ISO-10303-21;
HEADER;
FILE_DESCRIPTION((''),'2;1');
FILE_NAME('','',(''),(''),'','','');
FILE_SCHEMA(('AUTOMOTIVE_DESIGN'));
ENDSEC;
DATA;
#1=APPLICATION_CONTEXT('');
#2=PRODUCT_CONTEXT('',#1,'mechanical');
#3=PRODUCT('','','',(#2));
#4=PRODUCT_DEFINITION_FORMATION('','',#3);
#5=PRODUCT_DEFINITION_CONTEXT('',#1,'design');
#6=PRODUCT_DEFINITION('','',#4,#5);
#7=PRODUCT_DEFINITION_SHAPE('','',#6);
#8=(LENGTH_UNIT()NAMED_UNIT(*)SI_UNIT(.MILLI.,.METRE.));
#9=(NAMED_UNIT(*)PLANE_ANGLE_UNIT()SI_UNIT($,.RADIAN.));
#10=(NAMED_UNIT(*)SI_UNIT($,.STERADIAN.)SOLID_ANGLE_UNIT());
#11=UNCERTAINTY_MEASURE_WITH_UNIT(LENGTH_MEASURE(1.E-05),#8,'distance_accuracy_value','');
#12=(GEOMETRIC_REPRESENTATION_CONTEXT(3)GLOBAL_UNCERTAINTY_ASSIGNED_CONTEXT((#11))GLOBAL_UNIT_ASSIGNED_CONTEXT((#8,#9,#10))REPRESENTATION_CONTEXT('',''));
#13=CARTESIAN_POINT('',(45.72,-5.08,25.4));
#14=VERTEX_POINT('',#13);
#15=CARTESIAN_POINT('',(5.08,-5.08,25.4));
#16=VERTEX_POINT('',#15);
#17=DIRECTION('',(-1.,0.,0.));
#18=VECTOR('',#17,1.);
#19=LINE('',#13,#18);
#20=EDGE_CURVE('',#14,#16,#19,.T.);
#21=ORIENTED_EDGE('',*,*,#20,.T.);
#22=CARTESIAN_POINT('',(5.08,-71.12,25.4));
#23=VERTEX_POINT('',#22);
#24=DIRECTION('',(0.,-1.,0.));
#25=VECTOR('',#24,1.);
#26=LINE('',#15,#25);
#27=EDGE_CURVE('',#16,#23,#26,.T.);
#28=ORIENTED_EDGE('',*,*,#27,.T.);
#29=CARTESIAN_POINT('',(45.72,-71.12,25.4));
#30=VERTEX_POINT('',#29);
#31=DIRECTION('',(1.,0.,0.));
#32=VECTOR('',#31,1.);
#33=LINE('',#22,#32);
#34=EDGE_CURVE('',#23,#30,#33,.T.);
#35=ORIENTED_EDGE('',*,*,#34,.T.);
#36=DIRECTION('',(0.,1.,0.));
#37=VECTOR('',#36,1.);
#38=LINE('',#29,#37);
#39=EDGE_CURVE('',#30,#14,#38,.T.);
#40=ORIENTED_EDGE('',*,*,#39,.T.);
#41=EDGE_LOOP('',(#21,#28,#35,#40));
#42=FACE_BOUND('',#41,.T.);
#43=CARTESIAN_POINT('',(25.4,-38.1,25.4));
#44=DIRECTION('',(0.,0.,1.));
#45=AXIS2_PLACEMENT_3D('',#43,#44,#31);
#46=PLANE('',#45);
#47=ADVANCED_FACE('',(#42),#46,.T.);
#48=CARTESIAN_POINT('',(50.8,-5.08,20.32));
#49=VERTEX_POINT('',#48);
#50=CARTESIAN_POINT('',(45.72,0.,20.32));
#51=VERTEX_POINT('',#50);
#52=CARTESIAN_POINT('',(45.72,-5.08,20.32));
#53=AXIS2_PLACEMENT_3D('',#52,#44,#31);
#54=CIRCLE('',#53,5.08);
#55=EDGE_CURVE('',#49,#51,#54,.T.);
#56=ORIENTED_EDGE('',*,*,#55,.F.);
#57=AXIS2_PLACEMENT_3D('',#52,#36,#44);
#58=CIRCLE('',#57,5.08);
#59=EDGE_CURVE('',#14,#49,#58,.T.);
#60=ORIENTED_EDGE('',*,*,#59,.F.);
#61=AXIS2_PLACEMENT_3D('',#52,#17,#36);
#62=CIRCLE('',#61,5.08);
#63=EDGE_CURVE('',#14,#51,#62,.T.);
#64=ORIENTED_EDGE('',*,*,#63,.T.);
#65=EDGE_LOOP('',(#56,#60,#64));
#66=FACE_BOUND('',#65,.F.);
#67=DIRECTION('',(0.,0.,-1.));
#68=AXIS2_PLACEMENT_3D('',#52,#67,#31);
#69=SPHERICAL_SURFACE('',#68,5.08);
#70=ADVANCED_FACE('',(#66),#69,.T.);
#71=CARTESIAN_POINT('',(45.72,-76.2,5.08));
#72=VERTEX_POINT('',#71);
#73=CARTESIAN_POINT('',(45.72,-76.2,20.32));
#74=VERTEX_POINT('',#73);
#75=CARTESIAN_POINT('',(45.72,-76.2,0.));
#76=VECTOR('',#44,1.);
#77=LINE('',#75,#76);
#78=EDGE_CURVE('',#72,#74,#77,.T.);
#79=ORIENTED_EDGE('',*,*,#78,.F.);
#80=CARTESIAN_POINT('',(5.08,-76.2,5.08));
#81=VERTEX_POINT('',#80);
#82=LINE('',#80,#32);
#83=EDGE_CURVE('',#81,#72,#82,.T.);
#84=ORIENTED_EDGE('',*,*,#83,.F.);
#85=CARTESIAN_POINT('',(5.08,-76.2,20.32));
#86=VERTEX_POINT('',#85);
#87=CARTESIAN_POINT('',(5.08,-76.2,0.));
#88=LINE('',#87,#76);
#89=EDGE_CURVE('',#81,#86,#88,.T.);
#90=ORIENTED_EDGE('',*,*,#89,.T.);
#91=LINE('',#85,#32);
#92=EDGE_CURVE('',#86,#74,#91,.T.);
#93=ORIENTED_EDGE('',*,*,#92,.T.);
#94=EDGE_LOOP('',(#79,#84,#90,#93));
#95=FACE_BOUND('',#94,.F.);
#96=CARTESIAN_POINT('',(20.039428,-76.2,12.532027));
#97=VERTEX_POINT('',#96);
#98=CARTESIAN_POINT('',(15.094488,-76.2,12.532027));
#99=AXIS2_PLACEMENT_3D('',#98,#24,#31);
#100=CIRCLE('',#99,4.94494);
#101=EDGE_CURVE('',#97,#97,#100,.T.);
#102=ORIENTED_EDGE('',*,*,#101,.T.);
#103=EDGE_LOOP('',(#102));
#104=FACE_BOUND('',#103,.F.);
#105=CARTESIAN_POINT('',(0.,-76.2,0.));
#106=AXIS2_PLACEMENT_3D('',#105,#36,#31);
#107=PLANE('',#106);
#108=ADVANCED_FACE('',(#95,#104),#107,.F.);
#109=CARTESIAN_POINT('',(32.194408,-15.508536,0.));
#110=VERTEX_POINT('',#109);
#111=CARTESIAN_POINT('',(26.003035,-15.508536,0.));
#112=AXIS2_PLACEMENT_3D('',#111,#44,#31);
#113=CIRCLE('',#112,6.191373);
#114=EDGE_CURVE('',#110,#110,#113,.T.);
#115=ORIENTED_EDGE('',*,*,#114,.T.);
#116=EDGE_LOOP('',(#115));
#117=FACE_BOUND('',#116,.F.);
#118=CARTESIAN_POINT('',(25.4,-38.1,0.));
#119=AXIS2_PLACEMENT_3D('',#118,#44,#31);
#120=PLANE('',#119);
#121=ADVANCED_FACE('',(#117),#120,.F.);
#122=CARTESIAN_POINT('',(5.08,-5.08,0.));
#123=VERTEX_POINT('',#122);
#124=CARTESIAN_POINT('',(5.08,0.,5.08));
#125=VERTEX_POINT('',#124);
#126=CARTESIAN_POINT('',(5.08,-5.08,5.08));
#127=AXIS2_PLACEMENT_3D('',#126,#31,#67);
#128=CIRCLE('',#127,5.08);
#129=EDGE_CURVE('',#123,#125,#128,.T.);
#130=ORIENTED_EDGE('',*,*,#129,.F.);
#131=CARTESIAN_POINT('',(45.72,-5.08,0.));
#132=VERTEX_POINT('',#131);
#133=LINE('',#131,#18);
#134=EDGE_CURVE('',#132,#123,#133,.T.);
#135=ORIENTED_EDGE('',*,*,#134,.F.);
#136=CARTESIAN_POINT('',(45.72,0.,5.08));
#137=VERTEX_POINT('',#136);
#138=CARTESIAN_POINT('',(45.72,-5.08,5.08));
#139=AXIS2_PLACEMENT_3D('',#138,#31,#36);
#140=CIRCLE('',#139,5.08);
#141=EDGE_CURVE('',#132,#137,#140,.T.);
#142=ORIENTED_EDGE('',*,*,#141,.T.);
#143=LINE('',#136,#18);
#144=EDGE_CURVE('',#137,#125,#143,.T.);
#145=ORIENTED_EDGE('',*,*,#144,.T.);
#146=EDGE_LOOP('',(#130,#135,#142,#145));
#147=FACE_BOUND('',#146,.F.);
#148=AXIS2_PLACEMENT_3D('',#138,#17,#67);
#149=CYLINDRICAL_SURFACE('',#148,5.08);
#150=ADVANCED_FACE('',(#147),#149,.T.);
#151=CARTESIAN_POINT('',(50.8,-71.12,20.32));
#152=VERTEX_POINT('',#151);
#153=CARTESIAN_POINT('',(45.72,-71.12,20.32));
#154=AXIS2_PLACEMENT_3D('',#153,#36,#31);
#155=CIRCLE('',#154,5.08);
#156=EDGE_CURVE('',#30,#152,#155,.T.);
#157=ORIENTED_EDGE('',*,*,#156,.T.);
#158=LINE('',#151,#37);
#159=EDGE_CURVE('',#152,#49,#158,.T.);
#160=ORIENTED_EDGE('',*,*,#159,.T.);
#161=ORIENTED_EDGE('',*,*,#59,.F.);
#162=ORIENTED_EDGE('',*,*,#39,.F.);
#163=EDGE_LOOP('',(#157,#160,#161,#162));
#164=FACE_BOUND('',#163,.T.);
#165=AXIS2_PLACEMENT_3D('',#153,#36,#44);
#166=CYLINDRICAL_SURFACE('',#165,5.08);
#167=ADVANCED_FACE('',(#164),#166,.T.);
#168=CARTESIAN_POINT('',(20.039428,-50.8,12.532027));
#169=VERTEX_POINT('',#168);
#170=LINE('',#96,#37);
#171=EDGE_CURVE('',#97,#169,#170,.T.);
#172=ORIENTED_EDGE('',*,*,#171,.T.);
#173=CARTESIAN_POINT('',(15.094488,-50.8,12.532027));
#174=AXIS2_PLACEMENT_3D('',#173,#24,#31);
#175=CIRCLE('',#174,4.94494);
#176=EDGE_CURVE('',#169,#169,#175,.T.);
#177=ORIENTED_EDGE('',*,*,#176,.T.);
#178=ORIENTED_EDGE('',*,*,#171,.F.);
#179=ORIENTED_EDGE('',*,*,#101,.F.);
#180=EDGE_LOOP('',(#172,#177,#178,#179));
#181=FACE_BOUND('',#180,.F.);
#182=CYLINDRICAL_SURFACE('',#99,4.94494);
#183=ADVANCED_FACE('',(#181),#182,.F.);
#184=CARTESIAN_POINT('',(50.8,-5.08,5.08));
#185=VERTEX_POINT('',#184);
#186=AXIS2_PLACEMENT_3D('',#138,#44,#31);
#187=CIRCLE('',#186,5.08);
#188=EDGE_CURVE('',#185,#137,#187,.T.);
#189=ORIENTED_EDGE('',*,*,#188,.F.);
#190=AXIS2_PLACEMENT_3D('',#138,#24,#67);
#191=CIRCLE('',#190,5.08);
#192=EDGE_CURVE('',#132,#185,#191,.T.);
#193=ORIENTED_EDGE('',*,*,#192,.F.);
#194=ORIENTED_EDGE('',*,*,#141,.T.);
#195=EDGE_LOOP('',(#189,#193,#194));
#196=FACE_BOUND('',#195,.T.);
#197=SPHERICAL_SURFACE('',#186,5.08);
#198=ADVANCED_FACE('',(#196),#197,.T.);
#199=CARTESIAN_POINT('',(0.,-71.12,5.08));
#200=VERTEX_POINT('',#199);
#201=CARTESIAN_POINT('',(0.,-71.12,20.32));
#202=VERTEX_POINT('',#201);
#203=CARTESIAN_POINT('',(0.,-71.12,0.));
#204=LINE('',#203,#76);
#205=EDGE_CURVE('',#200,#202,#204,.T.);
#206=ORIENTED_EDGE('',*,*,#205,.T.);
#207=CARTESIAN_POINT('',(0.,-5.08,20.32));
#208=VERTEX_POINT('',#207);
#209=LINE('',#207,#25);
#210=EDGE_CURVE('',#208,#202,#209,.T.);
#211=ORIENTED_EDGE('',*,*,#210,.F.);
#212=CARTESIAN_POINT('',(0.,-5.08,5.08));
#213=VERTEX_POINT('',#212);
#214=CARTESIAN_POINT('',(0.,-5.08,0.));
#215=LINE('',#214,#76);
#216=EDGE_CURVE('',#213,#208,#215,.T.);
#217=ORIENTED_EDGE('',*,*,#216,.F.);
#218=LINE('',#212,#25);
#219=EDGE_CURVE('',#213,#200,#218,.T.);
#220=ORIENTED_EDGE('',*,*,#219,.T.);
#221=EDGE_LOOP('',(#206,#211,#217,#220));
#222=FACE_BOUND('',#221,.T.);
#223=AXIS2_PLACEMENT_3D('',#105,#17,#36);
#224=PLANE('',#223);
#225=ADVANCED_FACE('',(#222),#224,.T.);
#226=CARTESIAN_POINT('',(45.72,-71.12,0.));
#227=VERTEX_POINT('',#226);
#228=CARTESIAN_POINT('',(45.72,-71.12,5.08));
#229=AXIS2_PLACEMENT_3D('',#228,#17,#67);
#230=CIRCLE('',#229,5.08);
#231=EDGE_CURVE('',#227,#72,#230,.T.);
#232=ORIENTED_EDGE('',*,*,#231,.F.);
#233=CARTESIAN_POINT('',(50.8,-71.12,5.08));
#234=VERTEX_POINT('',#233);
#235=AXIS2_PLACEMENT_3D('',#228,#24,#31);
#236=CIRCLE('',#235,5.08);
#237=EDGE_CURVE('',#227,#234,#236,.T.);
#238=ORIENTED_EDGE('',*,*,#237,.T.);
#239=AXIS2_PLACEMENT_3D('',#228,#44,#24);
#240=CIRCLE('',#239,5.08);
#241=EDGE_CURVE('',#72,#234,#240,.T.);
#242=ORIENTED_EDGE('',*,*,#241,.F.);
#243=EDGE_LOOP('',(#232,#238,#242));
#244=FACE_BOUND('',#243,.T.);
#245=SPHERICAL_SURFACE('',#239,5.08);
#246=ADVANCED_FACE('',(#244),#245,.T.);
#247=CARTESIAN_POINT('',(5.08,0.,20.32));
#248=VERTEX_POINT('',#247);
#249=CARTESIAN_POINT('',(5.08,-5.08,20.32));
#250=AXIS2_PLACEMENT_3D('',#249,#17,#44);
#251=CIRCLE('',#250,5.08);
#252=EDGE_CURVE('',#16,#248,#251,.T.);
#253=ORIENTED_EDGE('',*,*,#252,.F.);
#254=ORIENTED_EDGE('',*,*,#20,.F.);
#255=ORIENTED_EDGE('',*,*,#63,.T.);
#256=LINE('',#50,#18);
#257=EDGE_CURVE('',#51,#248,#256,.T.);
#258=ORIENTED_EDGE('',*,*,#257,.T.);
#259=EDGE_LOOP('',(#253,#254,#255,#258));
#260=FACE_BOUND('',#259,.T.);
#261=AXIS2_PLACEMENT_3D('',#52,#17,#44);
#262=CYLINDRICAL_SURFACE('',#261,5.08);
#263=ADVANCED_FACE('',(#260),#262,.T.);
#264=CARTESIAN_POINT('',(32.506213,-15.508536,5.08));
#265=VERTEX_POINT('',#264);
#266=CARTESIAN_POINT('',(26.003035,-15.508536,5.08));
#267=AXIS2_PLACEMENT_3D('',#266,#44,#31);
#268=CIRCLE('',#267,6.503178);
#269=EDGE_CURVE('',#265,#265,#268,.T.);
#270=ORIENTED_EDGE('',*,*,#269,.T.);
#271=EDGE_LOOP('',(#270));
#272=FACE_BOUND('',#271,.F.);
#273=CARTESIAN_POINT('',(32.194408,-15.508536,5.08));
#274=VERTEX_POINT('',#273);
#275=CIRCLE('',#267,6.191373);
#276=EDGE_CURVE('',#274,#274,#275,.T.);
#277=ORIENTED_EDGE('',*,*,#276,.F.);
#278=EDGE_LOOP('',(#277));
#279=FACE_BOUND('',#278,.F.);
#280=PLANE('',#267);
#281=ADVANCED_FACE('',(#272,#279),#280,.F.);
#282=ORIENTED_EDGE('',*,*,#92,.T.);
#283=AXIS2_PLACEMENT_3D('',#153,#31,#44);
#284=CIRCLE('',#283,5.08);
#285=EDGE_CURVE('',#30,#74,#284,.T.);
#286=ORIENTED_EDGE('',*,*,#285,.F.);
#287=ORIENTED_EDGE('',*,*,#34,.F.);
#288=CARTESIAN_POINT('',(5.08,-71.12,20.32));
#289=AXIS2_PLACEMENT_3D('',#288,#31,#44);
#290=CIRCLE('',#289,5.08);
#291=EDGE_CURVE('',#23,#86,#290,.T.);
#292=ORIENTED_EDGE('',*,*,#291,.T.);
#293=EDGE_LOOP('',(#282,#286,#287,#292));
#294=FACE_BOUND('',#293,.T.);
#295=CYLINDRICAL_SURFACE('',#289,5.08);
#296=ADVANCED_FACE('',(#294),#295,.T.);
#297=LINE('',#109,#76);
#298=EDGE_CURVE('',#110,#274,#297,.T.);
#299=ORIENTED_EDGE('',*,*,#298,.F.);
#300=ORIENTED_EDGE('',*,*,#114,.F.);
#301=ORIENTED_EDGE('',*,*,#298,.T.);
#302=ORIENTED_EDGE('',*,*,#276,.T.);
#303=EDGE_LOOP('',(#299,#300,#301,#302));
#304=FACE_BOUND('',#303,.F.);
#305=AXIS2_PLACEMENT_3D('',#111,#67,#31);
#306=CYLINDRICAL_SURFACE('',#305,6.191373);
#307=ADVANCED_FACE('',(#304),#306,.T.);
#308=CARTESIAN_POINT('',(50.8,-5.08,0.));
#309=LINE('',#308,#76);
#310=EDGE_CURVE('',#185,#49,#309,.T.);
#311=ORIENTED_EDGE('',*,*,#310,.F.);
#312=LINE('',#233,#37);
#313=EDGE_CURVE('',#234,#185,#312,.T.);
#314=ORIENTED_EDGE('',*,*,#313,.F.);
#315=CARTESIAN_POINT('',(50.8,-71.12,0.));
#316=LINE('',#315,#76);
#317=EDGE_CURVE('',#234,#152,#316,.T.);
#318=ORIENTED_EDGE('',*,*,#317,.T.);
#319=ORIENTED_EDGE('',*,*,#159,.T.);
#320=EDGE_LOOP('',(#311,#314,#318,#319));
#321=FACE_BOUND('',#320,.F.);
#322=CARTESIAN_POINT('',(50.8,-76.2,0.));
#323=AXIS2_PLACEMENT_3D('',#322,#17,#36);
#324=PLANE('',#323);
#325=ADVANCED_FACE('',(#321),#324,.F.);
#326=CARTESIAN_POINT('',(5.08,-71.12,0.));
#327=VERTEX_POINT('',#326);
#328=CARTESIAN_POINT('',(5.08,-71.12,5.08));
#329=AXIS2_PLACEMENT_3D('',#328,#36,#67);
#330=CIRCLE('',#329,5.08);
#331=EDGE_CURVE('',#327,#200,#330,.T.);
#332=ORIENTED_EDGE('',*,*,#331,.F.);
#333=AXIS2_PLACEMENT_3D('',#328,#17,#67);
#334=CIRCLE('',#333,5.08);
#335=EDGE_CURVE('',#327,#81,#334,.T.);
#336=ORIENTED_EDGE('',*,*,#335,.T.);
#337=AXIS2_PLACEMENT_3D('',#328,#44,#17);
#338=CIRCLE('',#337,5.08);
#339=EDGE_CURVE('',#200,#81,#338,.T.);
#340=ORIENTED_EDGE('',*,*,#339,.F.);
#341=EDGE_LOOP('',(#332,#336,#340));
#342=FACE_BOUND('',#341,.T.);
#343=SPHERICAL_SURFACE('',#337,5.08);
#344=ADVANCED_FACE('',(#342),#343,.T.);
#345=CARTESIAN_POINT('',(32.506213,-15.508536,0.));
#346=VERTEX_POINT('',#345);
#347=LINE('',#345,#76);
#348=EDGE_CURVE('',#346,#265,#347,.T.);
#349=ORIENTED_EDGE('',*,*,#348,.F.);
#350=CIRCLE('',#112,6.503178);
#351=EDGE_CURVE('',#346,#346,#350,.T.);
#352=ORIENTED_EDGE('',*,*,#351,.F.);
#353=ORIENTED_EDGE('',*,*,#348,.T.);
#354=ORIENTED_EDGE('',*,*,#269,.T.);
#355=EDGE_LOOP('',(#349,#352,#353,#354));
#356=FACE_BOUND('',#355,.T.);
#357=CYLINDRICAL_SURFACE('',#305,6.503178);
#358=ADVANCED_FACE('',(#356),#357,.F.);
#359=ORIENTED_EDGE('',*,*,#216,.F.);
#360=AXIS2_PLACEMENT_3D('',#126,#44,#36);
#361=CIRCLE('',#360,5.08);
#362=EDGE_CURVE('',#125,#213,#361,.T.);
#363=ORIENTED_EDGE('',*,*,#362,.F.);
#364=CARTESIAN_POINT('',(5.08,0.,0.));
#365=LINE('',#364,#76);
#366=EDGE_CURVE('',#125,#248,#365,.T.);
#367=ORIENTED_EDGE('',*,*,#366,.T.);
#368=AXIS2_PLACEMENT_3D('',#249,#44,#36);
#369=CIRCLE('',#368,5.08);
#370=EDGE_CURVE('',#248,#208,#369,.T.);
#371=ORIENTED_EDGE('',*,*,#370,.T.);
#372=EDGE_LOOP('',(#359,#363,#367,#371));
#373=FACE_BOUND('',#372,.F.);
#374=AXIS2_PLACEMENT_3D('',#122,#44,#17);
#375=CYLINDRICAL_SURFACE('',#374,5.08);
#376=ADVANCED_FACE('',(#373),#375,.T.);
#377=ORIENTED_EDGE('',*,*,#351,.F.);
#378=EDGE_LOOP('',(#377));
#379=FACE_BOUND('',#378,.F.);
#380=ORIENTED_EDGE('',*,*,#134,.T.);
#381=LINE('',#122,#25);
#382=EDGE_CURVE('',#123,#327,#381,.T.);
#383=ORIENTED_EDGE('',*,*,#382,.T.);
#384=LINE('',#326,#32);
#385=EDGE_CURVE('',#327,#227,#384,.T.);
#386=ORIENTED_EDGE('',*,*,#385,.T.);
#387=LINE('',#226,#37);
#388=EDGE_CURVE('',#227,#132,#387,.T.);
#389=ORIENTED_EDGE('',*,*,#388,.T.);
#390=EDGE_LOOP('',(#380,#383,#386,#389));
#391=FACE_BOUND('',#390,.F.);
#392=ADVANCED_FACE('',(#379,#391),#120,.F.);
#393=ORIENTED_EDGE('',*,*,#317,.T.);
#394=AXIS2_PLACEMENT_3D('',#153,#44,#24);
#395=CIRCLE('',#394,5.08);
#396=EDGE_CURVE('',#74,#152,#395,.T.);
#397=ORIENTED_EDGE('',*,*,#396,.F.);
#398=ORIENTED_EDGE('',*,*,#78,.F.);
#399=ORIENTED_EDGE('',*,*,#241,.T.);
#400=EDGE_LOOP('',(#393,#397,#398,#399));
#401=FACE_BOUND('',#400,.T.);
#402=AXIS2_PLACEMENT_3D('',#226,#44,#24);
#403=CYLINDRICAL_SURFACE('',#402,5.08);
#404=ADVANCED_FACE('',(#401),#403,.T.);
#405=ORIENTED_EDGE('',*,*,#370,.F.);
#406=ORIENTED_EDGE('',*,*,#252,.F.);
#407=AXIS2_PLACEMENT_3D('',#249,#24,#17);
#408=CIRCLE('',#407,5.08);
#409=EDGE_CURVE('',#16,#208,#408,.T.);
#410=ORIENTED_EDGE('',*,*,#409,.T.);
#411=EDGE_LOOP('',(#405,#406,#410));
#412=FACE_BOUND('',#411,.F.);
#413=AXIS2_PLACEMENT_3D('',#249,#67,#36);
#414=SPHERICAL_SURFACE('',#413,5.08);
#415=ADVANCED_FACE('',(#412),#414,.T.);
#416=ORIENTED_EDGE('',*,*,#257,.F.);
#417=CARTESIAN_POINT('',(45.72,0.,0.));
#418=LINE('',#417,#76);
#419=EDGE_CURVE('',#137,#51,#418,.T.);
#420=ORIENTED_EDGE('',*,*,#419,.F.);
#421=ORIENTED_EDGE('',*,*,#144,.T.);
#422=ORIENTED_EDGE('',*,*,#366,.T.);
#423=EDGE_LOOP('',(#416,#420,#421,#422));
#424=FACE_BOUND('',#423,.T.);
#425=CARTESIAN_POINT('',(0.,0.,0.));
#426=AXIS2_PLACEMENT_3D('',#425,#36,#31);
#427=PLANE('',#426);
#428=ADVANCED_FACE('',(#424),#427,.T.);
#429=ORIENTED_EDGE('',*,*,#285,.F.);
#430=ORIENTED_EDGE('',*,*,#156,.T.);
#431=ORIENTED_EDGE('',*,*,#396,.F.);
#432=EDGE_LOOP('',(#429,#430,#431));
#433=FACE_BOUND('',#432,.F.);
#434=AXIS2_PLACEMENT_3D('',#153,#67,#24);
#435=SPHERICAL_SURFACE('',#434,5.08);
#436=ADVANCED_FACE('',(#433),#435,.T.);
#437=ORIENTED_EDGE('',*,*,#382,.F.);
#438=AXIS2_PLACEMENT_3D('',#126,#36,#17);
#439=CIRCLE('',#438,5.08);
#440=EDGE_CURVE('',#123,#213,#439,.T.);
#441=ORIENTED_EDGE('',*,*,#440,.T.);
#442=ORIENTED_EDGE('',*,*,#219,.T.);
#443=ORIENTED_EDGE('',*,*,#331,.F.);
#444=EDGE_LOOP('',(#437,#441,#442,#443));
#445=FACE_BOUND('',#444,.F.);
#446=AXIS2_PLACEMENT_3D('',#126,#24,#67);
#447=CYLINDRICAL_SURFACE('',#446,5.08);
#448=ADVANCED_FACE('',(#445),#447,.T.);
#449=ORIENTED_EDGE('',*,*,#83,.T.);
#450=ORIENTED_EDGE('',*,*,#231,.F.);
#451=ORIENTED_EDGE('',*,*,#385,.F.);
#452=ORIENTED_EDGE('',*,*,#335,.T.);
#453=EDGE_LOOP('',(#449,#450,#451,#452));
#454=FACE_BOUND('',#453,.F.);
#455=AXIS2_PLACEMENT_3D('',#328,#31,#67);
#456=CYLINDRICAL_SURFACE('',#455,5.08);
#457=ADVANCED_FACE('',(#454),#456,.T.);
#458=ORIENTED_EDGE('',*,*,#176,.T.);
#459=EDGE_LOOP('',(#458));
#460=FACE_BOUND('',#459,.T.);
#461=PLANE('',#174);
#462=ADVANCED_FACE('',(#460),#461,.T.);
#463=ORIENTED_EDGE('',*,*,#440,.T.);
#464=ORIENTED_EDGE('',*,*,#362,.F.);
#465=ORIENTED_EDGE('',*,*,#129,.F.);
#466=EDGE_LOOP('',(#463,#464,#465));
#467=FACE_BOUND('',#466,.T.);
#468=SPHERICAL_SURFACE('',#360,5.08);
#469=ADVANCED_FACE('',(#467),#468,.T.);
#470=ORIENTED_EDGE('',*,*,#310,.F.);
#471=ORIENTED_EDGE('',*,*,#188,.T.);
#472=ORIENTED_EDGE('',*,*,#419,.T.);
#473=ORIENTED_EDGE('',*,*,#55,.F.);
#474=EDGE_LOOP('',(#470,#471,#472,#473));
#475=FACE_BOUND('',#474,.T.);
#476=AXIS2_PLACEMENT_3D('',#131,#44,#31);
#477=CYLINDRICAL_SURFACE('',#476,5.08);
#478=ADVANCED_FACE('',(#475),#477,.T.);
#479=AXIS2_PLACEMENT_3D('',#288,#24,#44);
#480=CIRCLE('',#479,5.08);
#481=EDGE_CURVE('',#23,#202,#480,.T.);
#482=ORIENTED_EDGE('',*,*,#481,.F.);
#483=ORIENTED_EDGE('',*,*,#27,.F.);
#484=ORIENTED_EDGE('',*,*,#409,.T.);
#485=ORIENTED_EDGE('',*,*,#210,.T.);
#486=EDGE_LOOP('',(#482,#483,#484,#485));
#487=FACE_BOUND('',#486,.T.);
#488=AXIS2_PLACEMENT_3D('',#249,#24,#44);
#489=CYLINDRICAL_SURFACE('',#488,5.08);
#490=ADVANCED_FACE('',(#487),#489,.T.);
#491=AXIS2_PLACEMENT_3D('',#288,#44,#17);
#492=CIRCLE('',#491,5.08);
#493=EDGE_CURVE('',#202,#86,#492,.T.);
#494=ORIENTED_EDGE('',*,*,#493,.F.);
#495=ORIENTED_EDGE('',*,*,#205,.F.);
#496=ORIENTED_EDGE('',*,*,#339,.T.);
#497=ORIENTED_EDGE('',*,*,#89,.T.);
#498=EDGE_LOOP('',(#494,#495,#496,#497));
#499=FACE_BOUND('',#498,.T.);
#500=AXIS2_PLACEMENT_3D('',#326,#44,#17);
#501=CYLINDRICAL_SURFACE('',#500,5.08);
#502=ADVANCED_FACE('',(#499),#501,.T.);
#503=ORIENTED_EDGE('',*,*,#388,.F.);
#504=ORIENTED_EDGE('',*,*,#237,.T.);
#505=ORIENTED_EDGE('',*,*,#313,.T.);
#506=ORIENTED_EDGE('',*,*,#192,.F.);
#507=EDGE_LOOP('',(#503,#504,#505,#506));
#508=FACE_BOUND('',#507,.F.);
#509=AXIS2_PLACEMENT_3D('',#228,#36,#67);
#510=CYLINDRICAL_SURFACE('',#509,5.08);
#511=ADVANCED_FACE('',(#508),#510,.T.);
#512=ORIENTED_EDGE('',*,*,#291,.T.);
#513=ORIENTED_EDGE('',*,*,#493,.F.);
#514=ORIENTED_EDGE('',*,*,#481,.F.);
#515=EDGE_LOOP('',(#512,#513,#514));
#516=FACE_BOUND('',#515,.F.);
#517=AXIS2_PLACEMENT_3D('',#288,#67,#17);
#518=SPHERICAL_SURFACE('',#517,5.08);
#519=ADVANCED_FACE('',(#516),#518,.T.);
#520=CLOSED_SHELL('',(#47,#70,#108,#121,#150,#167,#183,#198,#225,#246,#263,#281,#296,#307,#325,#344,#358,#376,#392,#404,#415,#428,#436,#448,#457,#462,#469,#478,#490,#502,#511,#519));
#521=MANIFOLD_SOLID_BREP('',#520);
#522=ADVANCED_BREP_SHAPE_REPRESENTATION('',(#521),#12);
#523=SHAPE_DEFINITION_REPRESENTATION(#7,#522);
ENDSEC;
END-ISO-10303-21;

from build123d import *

# Parameters (mm, degrees)
F0_W     = 50.8
F0_H     = 76.2
F1_DEPTH = 25.4
F2_R     = 5.08
F3_R     = 4.94494
F4_DEPTH = 25.4
F5_R     = 5.08
F6_R     = 6.503178
F6_R_2   = 6.191373
F7_DEPTH = 5.08


with BuildPart() as f1:
    # F0 (on Top) → F1 (new body)
    with BuildSketch(Plane.XY):
        with Locations((25.4, -38.1)):
            Rectangle(F0_W, F0_H)
    extrude(amount=F1_DEPTH)

    # F2
    f2_edges = [f1.edges().sort_by_distance(p)[0] for p in [
        (0, -76.2, 12.7),
        (50.8, -76.2, 12.7),
        (50.8, 0, 12.7),
        (0, 0, 12.7),
    ]]
    fillet(f2_edges, radius=F2_R)

    # F3 (on face) → F4 (cut)
    with BuildSketch(Plane.XZ.offset(76.2)):
        with Locations((15.094488, 12.532027)):
            Circle(F3_R)
    extrude(amount=-F4_DEPTH, mode=Mode.SUBTRACT)

    # F5
    f5_edges = [f1.edges().sort_by_distance(p)[0] for p in [
        (25.4, -76.2, 25.4),
        (25.4, -76.2, 0),
    ]]
    fillet(f5_edges, radius=F5_R)

    # F6 (on face) → F7 (cut)
    with BuildSketch(Plane.XY):
        with Locations((26.003035, -15.508536)):
            Circle(F6_R)
        with Locations((26.003035, -15.508536)):
            Circle(F6_R_2, mode=Mode.SUBTRACT)
    extrude(amount=F7_DEPTH, mode=Mode.SUBTRACT)


solid = f1.part
